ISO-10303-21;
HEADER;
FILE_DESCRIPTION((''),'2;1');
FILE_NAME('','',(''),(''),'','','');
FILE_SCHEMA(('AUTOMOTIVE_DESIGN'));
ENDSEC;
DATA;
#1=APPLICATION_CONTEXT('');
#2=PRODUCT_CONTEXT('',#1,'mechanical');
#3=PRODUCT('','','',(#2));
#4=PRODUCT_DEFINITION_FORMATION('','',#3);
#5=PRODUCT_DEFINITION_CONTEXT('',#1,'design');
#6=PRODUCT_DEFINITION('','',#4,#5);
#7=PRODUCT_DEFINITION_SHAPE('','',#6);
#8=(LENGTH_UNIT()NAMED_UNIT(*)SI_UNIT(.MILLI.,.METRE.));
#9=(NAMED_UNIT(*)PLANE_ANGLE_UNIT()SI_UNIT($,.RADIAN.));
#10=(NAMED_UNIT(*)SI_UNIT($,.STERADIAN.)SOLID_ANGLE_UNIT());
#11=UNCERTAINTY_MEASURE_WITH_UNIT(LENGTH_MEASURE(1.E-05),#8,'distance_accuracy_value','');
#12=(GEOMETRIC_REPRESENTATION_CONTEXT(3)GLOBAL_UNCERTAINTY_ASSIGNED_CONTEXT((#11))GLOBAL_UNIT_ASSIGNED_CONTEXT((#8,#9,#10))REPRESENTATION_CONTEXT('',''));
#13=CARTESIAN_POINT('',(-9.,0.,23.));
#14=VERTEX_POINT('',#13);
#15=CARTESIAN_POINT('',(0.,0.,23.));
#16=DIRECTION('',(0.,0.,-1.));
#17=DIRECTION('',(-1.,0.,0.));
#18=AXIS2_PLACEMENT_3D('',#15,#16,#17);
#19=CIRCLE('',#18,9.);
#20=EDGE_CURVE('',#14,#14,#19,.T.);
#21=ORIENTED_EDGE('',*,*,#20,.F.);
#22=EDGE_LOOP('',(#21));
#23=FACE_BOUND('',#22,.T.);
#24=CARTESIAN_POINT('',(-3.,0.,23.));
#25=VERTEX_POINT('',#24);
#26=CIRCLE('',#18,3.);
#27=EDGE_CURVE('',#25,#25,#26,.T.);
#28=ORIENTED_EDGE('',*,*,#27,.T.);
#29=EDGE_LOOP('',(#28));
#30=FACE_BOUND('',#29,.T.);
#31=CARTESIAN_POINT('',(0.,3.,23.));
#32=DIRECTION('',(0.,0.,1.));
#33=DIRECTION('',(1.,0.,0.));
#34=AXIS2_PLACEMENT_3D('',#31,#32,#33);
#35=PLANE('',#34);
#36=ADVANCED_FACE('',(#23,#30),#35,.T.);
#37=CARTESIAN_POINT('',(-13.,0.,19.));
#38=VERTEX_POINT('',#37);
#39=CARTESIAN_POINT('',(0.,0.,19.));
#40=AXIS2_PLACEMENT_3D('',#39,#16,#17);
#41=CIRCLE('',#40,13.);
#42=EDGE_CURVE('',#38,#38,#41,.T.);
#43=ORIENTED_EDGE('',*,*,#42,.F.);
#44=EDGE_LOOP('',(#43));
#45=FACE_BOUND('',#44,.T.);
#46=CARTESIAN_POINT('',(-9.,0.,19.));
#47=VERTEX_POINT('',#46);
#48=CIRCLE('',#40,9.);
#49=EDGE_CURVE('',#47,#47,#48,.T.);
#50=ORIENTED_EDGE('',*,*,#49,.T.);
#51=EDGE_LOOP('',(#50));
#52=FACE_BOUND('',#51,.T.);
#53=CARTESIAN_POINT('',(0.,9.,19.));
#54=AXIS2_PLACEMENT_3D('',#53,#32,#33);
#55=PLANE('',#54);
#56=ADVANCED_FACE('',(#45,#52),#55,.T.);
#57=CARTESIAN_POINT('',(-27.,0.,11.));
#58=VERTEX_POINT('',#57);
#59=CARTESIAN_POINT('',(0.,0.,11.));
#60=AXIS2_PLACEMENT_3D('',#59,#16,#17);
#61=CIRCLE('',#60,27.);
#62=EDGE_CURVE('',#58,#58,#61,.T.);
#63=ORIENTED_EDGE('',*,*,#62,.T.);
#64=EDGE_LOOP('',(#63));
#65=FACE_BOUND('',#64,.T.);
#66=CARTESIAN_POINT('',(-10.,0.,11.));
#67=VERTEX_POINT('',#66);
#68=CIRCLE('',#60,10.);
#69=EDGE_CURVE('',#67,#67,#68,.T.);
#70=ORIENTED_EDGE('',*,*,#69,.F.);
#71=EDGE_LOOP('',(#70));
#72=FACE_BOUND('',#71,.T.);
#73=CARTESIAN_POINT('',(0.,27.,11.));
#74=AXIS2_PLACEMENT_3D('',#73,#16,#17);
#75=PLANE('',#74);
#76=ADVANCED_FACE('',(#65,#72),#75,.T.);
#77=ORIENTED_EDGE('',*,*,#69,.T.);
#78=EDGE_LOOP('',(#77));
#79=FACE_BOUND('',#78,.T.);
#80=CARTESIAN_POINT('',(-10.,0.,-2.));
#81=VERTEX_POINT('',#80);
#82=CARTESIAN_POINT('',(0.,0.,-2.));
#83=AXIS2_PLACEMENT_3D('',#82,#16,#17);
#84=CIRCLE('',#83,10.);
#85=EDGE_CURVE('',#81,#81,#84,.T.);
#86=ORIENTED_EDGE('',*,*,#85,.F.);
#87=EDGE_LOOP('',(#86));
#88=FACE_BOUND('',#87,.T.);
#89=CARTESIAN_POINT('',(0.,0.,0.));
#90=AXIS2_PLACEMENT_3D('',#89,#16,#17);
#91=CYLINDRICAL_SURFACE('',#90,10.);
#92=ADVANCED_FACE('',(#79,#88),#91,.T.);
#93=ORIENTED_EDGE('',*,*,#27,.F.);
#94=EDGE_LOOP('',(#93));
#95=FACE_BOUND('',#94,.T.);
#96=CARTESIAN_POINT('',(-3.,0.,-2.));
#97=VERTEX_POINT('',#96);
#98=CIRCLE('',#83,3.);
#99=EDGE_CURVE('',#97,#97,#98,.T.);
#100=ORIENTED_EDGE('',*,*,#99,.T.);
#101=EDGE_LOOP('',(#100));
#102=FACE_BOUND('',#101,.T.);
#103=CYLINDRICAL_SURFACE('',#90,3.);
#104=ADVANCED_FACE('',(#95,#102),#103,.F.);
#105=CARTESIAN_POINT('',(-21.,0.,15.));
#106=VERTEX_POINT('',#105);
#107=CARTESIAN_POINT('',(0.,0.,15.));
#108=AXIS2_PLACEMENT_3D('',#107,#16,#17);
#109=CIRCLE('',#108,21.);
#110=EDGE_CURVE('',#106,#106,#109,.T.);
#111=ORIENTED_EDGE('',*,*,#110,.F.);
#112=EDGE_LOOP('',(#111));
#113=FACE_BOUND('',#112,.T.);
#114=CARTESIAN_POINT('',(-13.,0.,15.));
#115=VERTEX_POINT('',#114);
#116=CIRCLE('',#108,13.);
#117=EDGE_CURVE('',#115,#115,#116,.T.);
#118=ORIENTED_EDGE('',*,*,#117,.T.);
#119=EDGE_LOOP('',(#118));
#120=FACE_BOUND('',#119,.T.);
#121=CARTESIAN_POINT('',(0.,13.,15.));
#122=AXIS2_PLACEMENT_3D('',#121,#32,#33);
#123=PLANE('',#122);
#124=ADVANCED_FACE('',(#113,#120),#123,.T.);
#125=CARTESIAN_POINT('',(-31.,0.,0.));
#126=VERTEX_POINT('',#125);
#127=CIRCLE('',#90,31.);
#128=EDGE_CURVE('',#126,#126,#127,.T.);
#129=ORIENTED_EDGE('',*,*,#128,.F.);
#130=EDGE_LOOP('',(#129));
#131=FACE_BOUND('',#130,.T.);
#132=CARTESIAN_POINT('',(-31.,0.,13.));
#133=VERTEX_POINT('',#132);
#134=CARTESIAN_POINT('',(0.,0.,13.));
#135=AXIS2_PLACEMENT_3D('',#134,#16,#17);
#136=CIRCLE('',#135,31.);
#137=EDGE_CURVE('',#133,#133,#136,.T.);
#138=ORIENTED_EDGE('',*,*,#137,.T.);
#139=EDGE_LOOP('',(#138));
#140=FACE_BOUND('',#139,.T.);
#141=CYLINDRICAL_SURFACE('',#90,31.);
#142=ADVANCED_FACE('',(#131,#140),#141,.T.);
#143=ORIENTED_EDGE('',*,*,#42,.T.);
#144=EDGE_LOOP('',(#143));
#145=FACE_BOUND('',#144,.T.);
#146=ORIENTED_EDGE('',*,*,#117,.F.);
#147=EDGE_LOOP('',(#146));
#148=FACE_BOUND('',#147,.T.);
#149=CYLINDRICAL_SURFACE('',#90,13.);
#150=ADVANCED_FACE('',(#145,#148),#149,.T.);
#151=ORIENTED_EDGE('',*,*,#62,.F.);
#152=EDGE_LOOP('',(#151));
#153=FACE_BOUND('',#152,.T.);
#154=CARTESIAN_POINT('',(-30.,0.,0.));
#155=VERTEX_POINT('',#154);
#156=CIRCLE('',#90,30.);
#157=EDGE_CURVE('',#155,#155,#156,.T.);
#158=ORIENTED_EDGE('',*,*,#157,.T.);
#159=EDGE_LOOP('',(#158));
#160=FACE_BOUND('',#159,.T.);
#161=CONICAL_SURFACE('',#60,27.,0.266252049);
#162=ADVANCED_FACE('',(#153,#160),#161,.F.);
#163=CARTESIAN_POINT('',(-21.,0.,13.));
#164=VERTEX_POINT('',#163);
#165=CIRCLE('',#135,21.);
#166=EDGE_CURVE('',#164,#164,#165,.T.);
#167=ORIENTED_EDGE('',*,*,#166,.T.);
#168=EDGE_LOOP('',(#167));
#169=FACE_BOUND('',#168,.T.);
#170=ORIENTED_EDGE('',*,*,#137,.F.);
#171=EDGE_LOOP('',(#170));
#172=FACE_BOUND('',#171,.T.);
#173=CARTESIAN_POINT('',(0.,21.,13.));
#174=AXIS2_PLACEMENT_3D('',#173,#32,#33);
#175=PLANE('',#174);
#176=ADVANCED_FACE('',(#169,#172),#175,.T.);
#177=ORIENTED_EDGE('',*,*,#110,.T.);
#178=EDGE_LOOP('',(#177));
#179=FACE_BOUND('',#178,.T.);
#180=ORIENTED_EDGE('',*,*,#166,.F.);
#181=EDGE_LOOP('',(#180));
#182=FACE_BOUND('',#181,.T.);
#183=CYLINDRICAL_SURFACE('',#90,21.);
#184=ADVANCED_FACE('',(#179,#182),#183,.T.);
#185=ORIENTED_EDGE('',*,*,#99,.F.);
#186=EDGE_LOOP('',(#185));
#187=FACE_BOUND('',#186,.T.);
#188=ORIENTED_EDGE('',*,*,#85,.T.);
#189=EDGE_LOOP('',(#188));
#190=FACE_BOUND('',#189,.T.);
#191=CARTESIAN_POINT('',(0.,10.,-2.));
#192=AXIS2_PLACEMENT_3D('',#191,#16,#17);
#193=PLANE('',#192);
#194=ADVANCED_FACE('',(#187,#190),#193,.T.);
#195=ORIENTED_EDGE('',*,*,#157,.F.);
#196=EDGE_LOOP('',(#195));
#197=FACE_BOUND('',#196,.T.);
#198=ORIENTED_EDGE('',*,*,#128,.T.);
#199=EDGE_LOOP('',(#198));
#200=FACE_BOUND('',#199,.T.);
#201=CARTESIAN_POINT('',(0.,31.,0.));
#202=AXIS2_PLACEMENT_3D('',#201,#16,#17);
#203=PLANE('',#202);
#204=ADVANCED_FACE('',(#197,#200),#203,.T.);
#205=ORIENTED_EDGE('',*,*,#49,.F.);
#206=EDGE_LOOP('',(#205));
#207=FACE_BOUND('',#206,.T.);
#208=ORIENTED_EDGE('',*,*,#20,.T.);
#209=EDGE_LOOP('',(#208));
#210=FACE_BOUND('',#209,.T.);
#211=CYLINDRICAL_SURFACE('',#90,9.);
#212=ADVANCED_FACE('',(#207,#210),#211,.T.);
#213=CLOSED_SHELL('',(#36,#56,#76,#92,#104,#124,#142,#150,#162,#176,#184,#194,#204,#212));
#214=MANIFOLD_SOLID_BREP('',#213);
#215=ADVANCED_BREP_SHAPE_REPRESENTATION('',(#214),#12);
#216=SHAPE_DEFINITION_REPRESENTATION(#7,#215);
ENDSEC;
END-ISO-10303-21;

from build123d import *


with BuildPart() as part:
    # Croquis1 → Revolución1 (revolve)
    with BuildSketch(Plane(origin=(0, 0, 0), x_dir=(0, 0, -1), z_dir=(1, 0, 0)), mode=Mode.PRIVATE) as revoluci_n1_sk:
        Polygon((2, 3), (-23, 3), (-23, 9), (-19, 9), (-19, 13), (-15, 13), (-15, 21), (-13, 21), (-13, 31), (0, 31), (0, 30), (-11, 27), (-11, 10), (2, 10), align=None)
    revolve(revoluci_n1_sk.sketch.rotate(Axis((0, 0, 0), (0, 0, 1)), 90), axis=Axis((0, 0, 0), (0, 0, 1)))


solid = part.part
